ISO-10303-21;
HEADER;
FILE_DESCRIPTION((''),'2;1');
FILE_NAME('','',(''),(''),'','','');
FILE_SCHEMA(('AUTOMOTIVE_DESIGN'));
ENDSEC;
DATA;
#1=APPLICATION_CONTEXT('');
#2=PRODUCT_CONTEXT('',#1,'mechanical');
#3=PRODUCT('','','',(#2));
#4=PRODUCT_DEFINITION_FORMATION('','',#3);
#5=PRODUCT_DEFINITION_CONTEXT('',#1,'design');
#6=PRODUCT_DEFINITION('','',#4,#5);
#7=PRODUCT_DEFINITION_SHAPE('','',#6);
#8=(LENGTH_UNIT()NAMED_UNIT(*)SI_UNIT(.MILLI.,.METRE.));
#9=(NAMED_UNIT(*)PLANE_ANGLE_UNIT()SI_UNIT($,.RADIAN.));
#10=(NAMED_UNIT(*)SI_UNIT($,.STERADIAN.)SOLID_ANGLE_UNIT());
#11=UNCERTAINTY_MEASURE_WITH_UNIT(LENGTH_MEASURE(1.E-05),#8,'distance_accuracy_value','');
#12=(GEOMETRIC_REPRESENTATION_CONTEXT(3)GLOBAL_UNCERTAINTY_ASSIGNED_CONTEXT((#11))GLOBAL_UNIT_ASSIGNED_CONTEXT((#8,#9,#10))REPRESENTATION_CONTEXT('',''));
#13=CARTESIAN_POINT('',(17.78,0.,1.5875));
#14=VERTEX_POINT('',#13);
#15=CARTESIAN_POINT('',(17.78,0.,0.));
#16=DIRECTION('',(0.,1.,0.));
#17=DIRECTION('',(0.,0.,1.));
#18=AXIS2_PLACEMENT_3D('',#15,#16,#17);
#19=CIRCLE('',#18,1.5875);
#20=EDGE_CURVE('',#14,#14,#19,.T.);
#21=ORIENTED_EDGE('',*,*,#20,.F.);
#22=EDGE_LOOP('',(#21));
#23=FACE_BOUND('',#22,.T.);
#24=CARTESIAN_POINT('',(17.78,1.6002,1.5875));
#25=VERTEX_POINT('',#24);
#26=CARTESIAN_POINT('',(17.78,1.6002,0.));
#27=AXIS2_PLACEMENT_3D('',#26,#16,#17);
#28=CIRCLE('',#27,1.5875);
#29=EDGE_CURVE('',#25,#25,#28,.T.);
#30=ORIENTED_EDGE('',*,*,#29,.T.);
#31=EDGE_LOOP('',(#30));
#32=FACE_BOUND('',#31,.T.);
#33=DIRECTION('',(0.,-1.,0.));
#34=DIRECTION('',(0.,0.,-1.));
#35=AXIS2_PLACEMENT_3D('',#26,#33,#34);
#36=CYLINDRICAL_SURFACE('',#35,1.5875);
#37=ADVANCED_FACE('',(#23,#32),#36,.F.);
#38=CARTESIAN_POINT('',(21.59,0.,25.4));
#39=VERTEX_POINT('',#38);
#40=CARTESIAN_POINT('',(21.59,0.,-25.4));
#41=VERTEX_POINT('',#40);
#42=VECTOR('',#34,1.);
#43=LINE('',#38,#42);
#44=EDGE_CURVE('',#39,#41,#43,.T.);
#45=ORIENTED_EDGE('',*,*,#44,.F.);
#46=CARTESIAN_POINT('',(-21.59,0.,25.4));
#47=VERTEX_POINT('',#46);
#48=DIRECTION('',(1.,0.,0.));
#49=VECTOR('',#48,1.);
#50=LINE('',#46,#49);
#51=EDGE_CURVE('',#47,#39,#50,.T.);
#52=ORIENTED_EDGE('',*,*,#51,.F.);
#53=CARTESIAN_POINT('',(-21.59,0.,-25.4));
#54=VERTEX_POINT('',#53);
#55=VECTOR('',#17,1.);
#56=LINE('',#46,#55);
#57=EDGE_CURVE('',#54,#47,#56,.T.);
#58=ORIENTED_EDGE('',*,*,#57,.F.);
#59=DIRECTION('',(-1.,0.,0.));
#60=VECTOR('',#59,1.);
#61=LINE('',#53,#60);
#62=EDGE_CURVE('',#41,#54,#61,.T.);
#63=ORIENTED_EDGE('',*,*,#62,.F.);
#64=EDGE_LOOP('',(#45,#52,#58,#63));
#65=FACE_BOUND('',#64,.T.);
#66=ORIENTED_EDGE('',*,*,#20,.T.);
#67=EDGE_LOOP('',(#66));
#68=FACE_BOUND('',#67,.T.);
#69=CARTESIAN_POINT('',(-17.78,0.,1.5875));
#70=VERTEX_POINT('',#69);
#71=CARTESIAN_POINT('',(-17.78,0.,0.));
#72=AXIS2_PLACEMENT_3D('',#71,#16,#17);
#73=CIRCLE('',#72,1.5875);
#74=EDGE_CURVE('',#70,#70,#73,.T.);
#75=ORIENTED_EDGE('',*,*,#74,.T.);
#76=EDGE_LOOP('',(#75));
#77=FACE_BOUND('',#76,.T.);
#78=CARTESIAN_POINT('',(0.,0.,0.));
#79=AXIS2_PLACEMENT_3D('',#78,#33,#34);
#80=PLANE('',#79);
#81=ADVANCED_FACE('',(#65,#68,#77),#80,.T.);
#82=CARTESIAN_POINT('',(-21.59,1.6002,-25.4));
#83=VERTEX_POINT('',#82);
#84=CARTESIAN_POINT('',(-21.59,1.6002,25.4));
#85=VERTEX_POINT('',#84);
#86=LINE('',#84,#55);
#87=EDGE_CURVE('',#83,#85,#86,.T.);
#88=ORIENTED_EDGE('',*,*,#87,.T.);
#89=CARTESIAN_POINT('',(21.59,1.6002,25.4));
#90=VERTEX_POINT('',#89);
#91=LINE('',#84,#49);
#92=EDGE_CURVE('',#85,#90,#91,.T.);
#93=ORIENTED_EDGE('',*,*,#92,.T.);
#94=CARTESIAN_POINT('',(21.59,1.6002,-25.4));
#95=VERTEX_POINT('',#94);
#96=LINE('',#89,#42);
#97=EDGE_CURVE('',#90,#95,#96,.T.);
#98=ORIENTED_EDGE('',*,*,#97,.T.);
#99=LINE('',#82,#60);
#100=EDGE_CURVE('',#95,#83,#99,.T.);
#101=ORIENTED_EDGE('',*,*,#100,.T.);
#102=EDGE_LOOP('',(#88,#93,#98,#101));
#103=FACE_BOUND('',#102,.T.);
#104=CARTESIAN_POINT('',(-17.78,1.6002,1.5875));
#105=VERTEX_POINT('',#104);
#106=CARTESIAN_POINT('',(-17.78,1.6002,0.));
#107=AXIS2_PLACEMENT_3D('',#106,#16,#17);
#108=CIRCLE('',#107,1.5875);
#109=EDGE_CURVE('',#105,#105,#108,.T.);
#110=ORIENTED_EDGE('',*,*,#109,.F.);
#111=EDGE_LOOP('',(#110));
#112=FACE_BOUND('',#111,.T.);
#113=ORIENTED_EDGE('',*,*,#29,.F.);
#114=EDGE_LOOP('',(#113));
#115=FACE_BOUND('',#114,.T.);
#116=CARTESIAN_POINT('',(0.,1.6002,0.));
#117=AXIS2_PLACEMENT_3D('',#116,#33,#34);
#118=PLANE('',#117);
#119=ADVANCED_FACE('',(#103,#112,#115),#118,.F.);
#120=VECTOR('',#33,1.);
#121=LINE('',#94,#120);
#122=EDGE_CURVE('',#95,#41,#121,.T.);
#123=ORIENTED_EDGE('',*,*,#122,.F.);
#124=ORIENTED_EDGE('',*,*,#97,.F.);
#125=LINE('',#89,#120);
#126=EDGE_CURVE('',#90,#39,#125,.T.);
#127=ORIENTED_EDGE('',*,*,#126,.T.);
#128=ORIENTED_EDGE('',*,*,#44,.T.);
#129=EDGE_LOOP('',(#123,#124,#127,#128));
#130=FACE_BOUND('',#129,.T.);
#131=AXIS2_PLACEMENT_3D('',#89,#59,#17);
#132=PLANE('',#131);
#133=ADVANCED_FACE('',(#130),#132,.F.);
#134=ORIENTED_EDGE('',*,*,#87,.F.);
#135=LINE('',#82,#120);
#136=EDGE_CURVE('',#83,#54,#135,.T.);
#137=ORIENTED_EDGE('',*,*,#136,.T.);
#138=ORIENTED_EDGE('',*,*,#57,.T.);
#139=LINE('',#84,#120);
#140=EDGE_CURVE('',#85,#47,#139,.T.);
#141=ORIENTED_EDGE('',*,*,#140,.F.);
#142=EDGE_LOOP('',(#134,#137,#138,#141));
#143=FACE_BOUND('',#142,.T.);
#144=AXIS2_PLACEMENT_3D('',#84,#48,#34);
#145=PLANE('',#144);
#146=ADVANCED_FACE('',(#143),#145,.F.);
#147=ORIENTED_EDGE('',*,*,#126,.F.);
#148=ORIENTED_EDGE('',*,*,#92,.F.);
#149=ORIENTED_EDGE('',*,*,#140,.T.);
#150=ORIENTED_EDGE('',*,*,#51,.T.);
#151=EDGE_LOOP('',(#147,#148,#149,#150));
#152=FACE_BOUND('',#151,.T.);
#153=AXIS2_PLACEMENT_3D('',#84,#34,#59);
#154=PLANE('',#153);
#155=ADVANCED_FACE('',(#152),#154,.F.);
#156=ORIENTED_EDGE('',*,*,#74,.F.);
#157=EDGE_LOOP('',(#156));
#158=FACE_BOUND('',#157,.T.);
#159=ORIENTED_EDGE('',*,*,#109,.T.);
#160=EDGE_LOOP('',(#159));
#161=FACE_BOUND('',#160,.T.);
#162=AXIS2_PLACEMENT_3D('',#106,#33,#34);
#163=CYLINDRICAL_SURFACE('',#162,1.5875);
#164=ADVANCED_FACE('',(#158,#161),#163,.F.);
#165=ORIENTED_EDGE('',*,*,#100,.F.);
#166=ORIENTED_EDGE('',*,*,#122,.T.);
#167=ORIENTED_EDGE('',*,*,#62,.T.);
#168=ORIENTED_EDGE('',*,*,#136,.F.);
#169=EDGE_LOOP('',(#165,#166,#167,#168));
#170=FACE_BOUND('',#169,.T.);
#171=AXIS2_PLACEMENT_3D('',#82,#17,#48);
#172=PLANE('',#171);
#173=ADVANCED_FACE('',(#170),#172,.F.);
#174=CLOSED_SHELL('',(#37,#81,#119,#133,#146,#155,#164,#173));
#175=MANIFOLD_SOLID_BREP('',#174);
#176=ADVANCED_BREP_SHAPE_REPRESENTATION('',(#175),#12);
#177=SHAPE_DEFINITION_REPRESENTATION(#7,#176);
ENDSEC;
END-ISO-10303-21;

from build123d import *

# Parameters (mm, degrees)
SKETCH1_W           = 43.18
SKETCH1_H           = 50.8
SKETCH1_R           = 1.5875
BOSS_EXTRUDE2_DEPTH = 1.6002


with BuildPart() as part:
    # Sketch1 → Boss-Extrude2 (new body)
    with BuildSketch(Plane(origin=(0, 0, 0), x_dir=(1, 0, 0), z_dir=(0, 1, 0))):
        Rectangle(SKETCH1_W, SKETCH1_H)
        with Locations(Location((-17.78, 0, 0), (0, 0, 270))):
            Circle(SKETCH1_R, mode=Mode.SUBTRACT)
        with Locations(Location((17.78, 0, 0), (0, 0, 270))):
            Circle(SKETCH1_R, mode=Mode.SUBTRACT)
    extrude(amount=BOSS_EXTRUDE2_DEPTH)


solid = part.part
